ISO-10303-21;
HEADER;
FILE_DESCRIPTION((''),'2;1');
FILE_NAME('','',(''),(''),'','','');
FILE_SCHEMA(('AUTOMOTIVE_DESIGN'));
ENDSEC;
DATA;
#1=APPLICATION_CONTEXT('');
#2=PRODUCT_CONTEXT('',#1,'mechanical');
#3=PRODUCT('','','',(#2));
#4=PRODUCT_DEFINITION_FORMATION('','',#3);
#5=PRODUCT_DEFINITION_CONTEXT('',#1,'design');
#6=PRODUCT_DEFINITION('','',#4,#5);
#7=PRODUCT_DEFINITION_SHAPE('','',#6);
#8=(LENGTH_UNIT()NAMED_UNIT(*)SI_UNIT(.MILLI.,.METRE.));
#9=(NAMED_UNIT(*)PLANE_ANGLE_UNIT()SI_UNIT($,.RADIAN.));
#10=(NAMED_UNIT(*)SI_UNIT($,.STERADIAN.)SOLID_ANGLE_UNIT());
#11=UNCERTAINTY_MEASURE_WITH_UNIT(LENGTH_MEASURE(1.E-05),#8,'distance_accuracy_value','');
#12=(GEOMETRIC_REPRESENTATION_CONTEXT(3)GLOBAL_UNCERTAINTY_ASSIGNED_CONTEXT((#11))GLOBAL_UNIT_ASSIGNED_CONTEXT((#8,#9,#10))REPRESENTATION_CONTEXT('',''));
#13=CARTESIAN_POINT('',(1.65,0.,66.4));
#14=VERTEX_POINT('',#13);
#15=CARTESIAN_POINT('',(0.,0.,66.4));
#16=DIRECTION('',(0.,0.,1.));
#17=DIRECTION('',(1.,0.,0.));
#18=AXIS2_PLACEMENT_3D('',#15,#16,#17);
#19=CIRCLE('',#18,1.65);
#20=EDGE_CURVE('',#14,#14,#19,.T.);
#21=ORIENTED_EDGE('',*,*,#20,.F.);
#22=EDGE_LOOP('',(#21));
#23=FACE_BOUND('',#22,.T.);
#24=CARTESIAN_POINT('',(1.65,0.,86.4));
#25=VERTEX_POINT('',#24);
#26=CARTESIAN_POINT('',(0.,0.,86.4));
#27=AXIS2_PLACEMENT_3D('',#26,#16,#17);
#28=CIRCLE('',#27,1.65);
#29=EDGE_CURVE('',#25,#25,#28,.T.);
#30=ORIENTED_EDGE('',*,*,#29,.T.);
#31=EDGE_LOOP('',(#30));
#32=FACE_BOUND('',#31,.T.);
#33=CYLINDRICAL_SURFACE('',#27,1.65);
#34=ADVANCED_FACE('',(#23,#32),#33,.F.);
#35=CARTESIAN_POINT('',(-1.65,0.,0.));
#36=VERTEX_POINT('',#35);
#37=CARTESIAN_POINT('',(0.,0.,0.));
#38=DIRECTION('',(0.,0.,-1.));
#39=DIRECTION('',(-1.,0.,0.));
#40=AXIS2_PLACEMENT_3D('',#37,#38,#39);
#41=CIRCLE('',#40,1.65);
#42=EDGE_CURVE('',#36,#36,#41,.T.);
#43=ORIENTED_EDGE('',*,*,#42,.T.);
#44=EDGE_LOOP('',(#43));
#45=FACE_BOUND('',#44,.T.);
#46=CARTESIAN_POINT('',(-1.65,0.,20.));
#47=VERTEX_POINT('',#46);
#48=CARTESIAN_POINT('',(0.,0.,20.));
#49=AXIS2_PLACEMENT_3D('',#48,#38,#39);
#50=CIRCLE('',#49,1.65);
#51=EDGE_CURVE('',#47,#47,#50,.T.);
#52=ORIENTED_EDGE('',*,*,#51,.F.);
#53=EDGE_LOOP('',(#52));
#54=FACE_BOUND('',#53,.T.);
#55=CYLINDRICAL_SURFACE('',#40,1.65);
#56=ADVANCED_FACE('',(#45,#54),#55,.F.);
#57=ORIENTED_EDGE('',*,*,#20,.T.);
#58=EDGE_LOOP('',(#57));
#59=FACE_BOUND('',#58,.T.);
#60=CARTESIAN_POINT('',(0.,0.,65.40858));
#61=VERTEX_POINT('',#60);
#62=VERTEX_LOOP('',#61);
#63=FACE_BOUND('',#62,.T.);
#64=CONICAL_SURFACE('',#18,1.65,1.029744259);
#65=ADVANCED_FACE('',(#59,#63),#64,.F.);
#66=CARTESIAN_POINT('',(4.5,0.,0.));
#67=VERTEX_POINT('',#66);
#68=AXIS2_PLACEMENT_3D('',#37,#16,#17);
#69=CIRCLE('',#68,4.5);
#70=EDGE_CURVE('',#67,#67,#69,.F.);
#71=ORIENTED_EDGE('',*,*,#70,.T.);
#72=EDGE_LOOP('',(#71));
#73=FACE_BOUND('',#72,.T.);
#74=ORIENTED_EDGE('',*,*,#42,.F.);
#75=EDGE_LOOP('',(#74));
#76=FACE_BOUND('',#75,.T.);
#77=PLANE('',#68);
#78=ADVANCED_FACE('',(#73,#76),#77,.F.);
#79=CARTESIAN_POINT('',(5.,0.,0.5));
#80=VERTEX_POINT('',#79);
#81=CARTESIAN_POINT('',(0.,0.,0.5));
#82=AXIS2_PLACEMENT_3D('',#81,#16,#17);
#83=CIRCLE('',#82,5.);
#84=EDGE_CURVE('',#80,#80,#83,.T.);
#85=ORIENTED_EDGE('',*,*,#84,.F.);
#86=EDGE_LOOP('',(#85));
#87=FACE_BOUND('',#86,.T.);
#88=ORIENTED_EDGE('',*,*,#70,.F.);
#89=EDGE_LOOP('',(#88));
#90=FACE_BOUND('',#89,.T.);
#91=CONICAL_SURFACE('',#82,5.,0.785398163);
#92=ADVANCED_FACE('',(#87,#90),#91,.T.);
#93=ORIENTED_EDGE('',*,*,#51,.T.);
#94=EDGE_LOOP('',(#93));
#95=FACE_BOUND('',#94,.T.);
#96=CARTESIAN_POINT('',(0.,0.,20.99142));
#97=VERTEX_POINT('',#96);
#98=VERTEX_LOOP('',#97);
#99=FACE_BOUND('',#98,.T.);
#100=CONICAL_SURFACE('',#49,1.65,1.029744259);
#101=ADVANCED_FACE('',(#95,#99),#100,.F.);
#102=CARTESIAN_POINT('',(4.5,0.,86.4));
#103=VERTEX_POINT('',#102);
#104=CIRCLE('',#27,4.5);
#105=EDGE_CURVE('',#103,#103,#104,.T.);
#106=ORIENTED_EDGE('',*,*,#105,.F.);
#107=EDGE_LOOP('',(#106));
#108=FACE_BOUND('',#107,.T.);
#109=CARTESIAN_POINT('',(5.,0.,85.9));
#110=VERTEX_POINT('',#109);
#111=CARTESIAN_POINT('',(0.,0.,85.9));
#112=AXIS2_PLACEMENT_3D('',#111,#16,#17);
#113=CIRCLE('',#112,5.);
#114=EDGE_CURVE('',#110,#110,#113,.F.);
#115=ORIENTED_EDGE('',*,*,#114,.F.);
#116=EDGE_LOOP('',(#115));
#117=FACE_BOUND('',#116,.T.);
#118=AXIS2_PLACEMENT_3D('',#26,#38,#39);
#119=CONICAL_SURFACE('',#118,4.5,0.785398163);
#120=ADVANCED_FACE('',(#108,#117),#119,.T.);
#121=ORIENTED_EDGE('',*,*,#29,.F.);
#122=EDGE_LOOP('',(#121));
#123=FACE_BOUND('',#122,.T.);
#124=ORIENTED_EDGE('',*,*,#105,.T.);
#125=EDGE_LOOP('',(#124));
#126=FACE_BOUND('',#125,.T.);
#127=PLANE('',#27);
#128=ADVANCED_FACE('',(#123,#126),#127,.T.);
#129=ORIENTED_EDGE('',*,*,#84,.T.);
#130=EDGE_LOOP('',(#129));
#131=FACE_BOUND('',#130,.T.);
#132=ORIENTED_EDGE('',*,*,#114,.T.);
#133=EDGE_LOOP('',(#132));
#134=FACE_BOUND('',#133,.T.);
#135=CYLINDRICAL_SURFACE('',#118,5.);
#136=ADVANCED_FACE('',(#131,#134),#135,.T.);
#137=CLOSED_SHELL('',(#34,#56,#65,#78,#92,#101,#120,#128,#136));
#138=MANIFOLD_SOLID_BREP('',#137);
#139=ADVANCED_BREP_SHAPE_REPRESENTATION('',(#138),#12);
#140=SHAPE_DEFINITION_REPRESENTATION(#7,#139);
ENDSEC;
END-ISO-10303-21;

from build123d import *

# Parameters (mm, degrees)
ESQUISSE1_R               = 5
BOSS_EXTRU_1_DEPTH        = 86.4
TROU_TARAUD_M4X0_71_D     = 3.3
TROU_TARAUD_M4X0_71_DEPTH = 20
TROU_TARAUD_M4X0_71_TIP   = 0.991420021
TROU_TARAUD_M4X0_72_D     = 3.3
TROU_TARAUD_M4X0_72_DEPTH = 20
TROU_TARAUD_M4X0_72_TIP   = 0.991420021
CHANFREIN1_SIZE           = 0.5


with BuildPart() as part:
    # Esquisse1 → Boss.-Extru.1 (new body)
    with BuildSketch(Plane.XY):
        Circle(ESQUISSE1_R)
    extrude(amount=BOSS_EXTRU_1_DEPTH)

    # Trou taraudé M4x0.71
    with Locations(Plane.XY.offset(86.4)):
        with Locations((0, 0)):
            Hole(TROU_TARAUD_M4X0_71_D / 2, depth=TROU_TARAUD_M4X0_71_DEPTH)
            with Locations((0, 0, -(TROU_TARAUD_M4X0_71_DEPTH + TROU_TARAUD_M4X0_71_TIP / 2))):  # 118° drill point
                Cone(0, TROU_TARAUD_M4X0_71_D / 2, TROU_TARAUD_M4X0_71_TIP, mode=Mode.SUBTRACT)

    # Trou taraudé M4x0.72
    with Locations(Plane(origin=(0, 0, 0), x_dir=(-1, 0, 0), z_dir=(0, 0, -1))):
        with Locations((0, 0)):
            Hole(TROU_TARAUD_M4X0_72_D / 2, depth=TROU_TARAUD_M4X0_72_DEPTH)
            with Locations((0, 0, -(TROU_TARAUD_M4X0_72_DEPTH + TROU_TARAUD_M4X0_72_TIP / 2))):  # 118° drill point
                Cone(0, TROU_TARAUD_M4X0_72_D / 2, TROU_TARAUD_M4X0_72_TIP, mode=Mode.SUBTRACT)

    # Chanfrein1
    chanfrein1_edges = [part.edges().sort_by_distance(p)[0] for p in [
        (-5, 0, 0),
        (-5, 0, 86.4),
    ]]
    chamfer(chanfrein1_edges, length=CHANFREIN1_SIZE)


solid = part.part
